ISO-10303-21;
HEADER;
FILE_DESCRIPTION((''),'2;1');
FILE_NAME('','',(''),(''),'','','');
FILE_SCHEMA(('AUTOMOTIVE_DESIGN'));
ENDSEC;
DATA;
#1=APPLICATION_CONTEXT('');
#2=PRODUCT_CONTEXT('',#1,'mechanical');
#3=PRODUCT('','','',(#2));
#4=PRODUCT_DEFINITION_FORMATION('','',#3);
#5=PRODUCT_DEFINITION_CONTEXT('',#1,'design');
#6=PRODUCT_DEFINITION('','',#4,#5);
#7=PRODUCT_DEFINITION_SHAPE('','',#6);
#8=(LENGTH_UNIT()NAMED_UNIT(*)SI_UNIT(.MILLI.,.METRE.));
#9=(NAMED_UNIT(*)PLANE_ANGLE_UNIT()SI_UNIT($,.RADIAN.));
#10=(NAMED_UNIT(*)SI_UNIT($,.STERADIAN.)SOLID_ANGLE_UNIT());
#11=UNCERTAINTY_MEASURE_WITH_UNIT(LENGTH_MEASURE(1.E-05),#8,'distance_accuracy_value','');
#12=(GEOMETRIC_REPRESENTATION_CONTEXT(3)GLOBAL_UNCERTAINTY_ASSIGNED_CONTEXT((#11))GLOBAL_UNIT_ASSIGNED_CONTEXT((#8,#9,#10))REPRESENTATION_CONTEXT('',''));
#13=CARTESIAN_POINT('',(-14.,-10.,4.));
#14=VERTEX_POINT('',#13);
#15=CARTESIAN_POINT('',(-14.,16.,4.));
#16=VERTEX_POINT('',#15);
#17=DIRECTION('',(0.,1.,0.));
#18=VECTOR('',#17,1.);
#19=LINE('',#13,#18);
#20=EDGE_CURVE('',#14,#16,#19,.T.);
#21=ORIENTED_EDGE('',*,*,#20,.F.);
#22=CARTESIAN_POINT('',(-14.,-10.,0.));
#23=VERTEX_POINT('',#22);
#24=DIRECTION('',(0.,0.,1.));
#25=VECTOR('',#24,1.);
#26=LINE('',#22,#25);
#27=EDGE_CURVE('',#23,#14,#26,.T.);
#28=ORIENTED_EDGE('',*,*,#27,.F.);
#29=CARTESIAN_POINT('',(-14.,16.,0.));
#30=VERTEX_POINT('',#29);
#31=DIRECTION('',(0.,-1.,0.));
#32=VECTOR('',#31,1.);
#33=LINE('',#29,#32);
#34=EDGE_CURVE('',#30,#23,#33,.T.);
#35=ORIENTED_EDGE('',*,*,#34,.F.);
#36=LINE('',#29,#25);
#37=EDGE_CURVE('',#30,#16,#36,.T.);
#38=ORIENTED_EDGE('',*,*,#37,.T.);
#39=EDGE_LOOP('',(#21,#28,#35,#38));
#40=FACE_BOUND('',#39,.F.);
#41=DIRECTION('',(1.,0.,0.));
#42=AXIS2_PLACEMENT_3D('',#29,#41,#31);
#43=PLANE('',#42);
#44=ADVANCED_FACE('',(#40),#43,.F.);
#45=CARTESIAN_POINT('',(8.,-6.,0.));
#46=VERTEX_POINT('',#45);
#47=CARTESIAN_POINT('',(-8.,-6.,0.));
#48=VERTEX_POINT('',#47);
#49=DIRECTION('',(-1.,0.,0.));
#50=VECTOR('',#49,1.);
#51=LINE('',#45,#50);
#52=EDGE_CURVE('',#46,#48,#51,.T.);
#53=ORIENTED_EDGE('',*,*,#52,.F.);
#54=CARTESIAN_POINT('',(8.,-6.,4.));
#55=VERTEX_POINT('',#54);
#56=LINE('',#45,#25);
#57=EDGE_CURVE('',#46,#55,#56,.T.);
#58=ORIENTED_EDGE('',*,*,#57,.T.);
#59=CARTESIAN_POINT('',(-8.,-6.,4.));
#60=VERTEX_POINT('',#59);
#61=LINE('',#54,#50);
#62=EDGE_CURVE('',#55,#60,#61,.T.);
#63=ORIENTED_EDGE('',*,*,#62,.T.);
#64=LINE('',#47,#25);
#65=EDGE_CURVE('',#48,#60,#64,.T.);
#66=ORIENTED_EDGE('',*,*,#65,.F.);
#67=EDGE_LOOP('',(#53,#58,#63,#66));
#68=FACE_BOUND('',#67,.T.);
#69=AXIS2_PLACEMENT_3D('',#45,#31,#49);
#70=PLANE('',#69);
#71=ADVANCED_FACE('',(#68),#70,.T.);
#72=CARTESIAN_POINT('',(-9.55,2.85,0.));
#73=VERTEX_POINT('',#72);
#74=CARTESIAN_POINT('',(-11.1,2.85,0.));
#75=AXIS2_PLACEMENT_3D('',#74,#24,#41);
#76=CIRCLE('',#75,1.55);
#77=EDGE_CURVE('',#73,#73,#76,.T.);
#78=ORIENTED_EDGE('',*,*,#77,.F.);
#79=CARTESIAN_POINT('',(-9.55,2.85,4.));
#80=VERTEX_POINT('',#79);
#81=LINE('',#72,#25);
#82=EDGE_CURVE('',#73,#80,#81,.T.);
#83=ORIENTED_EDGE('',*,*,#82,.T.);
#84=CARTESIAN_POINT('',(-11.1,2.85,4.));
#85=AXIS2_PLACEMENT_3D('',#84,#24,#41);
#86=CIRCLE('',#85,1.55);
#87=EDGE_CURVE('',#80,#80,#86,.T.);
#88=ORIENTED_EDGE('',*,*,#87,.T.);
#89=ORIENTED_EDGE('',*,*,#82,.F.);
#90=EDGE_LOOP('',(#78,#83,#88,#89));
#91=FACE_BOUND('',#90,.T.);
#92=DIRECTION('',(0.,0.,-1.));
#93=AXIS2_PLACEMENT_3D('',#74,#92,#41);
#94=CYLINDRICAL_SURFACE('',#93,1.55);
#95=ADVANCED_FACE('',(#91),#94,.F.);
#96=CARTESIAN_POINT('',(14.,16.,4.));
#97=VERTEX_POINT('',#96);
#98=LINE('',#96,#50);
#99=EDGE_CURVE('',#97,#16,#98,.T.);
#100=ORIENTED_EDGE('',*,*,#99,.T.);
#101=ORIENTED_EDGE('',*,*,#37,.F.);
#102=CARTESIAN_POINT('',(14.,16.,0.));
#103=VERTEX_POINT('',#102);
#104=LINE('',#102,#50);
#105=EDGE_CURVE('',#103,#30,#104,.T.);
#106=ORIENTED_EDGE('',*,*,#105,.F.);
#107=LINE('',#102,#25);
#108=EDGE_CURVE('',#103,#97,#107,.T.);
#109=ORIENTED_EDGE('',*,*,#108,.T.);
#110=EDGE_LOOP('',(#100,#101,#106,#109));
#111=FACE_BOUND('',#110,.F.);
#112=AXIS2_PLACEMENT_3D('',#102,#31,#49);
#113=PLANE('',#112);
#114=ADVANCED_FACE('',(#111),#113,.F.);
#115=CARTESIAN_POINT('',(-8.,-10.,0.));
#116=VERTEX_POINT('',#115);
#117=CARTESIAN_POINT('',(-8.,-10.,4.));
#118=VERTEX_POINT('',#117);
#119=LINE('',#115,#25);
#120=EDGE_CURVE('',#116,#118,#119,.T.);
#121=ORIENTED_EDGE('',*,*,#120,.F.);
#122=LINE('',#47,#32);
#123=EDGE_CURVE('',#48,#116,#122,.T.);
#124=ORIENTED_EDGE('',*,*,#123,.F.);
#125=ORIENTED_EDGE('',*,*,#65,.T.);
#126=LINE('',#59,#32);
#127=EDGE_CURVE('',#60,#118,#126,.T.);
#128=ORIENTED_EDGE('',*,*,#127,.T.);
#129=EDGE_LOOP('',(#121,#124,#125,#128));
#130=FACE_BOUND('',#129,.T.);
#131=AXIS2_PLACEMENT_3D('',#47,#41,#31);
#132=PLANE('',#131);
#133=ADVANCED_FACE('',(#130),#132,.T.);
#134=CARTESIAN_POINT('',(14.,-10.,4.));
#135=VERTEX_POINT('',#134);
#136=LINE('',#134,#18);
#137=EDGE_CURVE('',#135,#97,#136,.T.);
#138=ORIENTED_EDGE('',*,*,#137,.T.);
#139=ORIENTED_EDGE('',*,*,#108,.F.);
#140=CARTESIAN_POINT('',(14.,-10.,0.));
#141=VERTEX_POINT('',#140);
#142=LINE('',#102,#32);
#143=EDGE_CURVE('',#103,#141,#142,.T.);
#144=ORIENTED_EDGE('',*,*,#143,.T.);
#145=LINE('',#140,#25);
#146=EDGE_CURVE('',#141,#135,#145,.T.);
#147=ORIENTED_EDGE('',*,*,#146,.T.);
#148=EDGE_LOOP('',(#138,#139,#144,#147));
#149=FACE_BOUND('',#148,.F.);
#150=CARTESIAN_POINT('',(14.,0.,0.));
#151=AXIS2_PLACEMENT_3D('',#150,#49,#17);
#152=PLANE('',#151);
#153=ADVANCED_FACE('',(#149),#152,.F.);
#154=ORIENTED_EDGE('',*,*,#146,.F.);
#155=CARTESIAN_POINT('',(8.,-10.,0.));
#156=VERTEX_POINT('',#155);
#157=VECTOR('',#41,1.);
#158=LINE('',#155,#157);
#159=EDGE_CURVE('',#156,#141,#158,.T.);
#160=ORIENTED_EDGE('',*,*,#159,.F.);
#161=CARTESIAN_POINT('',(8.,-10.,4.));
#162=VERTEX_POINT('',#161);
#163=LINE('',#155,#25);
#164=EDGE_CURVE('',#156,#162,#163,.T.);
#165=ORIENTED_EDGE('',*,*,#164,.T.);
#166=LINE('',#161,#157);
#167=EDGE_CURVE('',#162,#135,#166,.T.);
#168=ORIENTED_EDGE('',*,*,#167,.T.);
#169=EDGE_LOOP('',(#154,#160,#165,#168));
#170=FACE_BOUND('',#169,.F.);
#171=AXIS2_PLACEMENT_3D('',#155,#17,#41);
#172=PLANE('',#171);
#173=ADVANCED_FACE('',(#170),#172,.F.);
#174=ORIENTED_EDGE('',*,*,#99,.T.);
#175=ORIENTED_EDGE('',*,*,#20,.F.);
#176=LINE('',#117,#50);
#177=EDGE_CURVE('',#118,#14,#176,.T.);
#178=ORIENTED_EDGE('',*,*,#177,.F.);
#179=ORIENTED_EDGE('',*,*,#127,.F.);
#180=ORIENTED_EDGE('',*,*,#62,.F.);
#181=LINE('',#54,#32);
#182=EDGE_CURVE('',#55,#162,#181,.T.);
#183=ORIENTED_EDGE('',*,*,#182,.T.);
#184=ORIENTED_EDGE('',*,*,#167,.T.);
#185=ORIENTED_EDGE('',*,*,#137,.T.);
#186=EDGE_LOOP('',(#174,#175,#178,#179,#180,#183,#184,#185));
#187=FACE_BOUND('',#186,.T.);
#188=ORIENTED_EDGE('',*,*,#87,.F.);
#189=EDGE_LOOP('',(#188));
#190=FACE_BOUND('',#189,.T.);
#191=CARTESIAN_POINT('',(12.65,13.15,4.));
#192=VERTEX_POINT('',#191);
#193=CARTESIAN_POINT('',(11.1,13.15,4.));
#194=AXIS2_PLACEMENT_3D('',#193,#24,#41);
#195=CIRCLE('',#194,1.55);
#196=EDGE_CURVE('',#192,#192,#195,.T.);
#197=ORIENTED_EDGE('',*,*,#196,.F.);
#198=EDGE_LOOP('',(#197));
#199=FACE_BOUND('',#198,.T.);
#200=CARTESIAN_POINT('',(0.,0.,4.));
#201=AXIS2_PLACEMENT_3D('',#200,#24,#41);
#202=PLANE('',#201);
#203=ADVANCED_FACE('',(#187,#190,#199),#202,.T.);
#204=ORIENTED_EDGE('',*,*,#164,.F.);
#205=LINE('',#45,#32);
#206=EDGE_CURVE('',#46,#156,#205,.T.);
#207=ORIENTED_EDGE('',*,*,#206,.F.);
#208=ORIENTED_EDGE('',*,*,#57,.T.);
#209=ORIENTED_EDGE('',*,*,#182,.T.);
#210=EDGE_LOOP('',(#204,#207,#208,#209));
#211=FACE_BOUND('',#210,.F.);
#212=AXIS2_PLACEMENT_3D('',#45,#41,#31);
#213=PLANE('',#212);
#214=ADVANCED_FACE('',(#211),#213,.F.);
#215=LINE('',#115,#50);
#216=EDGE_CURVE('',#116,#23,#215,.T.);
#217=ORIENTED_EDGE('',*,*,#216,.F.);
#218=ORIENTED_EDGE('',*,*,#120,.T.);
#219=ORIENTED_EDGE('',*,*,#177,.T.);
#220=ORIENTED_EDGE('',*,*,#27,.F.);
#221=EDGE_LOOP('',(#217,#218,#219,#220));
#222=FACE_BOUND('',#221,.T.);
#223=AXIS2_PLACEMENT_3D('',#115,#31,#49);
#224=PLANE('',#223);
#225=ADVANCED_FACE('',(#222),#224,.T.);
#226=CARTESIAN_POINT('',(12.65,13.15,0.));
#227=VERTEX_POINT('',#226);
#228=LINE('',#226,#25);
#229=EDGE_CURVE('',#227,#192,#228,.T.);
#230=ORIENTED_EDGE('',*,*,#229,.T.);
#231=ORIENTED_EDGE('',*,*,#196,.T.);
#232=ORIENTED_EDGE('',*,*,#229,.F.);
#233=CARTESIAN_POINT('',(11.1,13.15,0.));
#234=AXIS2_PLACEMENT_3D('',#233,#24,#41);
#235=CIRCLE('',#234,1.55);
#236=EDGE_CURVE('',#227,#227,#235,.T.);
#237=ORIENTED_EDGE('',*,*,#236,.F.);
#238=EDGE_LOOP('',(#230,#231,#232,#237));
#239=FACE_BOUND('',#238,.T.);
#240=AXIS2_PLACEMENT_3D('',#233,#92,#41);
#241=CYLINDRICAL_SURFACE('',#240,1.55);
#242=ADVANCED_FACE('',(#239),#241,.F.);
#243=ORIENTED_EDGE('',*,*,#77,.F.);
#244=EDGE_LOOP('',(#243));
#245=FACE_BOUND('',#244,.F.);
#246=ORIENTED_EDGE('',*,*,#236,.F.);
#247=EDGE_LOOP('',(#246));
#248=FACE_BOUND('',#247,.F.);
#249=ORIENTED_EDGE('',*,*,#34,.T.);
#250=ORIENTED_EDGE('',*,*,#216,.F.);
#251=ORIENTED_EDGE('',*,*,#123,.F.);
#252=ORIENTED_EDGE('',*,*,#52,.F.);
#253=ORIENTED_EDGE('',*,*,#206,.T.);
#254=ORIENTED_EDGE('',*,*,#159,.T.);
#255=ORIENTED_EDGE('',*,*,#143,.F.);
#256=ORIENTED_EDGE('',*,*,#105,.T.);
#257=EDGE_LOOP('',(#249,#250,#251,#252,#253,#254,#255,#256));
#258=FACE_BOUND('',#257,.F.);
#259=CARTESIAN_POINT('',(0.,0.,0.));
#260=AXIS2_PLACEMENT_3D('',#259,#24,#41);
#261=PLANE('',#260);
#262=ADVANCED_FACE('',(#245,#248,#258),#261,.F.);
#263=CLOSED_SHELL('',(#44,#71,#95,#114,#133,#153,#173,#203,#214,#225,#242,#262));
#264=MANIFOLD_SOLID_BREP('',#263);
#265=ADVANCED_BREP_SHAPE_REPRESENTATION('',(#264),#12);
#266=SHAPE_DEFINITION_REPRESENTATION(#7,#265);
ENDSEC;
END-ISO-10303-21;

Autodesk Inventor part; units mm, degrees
ref_plane "YZ Plane" through (0, 0, 0) normal (1, 0, 0) x (0, 1, 0)
ref_plane "XZ Plane" through (0, 0, 0) normal (0, 1, 0) x (-1, 0, 0)
ref_plane "XY Plane" through (0, 0, 0) normal (0, 0, 1) x (1, 0, 0)
sketch "Sketch1" plane through (0, 0, 0) normal (0, 0, 1) x (1, 0, 0)
  line L0 (-14, 0) -> (14, 0)
  line L1 (14, 0) -> (14, 16)
  line L2 (14, 16) -> (-14, 16)
  line L3 (-14, 16) -> (-14, 0)
  circle A0 centre (-11.1, 2.85) radius 1.55
  circle A1 centre (11.1, 13.15) radius 1.55
  line L4 (-11.1, 2.85) -> (-14, 2.85) construction
  line L5 (11.1, 13.15) -> (14, 13.15) construction
  line L6 (11.1, 13.15) -> (11.1, 16) construction
  line L7 (-11.1, 2.85) -> (-11.1, 0) construction
  line L8 (-14, 0) -> (14, 0) construction
  line L9 (14, 0) -> (14, -6)
  line L10 (14, -6) -> (8, -6) construction
  line L11 (-14, -6) -> (-14, 0)
  line L12 (-14, -6) -> (-8, -6) construction
  line L13 (-8, -6) -> (-8, -10)
  line L14 (-8, -10) -> (-14, -10)
  line L15 (-14, -10) -> (-14, -6)
  line L16 (14, -6) -> (8, -6) construction
  line L17 (8, -6) -> (8, -10)
  line L18 (8, -10) -> (14, -10)
  line L19 (14, -10) -> (14, -6)
  line L20 (-8, -6) -> (-14, -6) construction
  line L21 (8, -6) -> (-8, -6)
  point P0 (0, 0)
  point P1 (0, 0)
  point P2 (14, 0)
  point P3 (14, 0)
  dimension "d0" = 3.1
  dimension "d1" = 22.2
  dimension "d2" = 10.3
  dimension "d3" = 16
  dimension "d4" = 28
  dimension "d5" = 22
  dimension "d8" = 6
  dimension "d9" = 6
  dimension "d10" = 4
extrude "Extrusion1" add sketch "Sketch1" along normal blind 4
properties part number "SwitchHolder_V2" material "Wood (Oak)"
